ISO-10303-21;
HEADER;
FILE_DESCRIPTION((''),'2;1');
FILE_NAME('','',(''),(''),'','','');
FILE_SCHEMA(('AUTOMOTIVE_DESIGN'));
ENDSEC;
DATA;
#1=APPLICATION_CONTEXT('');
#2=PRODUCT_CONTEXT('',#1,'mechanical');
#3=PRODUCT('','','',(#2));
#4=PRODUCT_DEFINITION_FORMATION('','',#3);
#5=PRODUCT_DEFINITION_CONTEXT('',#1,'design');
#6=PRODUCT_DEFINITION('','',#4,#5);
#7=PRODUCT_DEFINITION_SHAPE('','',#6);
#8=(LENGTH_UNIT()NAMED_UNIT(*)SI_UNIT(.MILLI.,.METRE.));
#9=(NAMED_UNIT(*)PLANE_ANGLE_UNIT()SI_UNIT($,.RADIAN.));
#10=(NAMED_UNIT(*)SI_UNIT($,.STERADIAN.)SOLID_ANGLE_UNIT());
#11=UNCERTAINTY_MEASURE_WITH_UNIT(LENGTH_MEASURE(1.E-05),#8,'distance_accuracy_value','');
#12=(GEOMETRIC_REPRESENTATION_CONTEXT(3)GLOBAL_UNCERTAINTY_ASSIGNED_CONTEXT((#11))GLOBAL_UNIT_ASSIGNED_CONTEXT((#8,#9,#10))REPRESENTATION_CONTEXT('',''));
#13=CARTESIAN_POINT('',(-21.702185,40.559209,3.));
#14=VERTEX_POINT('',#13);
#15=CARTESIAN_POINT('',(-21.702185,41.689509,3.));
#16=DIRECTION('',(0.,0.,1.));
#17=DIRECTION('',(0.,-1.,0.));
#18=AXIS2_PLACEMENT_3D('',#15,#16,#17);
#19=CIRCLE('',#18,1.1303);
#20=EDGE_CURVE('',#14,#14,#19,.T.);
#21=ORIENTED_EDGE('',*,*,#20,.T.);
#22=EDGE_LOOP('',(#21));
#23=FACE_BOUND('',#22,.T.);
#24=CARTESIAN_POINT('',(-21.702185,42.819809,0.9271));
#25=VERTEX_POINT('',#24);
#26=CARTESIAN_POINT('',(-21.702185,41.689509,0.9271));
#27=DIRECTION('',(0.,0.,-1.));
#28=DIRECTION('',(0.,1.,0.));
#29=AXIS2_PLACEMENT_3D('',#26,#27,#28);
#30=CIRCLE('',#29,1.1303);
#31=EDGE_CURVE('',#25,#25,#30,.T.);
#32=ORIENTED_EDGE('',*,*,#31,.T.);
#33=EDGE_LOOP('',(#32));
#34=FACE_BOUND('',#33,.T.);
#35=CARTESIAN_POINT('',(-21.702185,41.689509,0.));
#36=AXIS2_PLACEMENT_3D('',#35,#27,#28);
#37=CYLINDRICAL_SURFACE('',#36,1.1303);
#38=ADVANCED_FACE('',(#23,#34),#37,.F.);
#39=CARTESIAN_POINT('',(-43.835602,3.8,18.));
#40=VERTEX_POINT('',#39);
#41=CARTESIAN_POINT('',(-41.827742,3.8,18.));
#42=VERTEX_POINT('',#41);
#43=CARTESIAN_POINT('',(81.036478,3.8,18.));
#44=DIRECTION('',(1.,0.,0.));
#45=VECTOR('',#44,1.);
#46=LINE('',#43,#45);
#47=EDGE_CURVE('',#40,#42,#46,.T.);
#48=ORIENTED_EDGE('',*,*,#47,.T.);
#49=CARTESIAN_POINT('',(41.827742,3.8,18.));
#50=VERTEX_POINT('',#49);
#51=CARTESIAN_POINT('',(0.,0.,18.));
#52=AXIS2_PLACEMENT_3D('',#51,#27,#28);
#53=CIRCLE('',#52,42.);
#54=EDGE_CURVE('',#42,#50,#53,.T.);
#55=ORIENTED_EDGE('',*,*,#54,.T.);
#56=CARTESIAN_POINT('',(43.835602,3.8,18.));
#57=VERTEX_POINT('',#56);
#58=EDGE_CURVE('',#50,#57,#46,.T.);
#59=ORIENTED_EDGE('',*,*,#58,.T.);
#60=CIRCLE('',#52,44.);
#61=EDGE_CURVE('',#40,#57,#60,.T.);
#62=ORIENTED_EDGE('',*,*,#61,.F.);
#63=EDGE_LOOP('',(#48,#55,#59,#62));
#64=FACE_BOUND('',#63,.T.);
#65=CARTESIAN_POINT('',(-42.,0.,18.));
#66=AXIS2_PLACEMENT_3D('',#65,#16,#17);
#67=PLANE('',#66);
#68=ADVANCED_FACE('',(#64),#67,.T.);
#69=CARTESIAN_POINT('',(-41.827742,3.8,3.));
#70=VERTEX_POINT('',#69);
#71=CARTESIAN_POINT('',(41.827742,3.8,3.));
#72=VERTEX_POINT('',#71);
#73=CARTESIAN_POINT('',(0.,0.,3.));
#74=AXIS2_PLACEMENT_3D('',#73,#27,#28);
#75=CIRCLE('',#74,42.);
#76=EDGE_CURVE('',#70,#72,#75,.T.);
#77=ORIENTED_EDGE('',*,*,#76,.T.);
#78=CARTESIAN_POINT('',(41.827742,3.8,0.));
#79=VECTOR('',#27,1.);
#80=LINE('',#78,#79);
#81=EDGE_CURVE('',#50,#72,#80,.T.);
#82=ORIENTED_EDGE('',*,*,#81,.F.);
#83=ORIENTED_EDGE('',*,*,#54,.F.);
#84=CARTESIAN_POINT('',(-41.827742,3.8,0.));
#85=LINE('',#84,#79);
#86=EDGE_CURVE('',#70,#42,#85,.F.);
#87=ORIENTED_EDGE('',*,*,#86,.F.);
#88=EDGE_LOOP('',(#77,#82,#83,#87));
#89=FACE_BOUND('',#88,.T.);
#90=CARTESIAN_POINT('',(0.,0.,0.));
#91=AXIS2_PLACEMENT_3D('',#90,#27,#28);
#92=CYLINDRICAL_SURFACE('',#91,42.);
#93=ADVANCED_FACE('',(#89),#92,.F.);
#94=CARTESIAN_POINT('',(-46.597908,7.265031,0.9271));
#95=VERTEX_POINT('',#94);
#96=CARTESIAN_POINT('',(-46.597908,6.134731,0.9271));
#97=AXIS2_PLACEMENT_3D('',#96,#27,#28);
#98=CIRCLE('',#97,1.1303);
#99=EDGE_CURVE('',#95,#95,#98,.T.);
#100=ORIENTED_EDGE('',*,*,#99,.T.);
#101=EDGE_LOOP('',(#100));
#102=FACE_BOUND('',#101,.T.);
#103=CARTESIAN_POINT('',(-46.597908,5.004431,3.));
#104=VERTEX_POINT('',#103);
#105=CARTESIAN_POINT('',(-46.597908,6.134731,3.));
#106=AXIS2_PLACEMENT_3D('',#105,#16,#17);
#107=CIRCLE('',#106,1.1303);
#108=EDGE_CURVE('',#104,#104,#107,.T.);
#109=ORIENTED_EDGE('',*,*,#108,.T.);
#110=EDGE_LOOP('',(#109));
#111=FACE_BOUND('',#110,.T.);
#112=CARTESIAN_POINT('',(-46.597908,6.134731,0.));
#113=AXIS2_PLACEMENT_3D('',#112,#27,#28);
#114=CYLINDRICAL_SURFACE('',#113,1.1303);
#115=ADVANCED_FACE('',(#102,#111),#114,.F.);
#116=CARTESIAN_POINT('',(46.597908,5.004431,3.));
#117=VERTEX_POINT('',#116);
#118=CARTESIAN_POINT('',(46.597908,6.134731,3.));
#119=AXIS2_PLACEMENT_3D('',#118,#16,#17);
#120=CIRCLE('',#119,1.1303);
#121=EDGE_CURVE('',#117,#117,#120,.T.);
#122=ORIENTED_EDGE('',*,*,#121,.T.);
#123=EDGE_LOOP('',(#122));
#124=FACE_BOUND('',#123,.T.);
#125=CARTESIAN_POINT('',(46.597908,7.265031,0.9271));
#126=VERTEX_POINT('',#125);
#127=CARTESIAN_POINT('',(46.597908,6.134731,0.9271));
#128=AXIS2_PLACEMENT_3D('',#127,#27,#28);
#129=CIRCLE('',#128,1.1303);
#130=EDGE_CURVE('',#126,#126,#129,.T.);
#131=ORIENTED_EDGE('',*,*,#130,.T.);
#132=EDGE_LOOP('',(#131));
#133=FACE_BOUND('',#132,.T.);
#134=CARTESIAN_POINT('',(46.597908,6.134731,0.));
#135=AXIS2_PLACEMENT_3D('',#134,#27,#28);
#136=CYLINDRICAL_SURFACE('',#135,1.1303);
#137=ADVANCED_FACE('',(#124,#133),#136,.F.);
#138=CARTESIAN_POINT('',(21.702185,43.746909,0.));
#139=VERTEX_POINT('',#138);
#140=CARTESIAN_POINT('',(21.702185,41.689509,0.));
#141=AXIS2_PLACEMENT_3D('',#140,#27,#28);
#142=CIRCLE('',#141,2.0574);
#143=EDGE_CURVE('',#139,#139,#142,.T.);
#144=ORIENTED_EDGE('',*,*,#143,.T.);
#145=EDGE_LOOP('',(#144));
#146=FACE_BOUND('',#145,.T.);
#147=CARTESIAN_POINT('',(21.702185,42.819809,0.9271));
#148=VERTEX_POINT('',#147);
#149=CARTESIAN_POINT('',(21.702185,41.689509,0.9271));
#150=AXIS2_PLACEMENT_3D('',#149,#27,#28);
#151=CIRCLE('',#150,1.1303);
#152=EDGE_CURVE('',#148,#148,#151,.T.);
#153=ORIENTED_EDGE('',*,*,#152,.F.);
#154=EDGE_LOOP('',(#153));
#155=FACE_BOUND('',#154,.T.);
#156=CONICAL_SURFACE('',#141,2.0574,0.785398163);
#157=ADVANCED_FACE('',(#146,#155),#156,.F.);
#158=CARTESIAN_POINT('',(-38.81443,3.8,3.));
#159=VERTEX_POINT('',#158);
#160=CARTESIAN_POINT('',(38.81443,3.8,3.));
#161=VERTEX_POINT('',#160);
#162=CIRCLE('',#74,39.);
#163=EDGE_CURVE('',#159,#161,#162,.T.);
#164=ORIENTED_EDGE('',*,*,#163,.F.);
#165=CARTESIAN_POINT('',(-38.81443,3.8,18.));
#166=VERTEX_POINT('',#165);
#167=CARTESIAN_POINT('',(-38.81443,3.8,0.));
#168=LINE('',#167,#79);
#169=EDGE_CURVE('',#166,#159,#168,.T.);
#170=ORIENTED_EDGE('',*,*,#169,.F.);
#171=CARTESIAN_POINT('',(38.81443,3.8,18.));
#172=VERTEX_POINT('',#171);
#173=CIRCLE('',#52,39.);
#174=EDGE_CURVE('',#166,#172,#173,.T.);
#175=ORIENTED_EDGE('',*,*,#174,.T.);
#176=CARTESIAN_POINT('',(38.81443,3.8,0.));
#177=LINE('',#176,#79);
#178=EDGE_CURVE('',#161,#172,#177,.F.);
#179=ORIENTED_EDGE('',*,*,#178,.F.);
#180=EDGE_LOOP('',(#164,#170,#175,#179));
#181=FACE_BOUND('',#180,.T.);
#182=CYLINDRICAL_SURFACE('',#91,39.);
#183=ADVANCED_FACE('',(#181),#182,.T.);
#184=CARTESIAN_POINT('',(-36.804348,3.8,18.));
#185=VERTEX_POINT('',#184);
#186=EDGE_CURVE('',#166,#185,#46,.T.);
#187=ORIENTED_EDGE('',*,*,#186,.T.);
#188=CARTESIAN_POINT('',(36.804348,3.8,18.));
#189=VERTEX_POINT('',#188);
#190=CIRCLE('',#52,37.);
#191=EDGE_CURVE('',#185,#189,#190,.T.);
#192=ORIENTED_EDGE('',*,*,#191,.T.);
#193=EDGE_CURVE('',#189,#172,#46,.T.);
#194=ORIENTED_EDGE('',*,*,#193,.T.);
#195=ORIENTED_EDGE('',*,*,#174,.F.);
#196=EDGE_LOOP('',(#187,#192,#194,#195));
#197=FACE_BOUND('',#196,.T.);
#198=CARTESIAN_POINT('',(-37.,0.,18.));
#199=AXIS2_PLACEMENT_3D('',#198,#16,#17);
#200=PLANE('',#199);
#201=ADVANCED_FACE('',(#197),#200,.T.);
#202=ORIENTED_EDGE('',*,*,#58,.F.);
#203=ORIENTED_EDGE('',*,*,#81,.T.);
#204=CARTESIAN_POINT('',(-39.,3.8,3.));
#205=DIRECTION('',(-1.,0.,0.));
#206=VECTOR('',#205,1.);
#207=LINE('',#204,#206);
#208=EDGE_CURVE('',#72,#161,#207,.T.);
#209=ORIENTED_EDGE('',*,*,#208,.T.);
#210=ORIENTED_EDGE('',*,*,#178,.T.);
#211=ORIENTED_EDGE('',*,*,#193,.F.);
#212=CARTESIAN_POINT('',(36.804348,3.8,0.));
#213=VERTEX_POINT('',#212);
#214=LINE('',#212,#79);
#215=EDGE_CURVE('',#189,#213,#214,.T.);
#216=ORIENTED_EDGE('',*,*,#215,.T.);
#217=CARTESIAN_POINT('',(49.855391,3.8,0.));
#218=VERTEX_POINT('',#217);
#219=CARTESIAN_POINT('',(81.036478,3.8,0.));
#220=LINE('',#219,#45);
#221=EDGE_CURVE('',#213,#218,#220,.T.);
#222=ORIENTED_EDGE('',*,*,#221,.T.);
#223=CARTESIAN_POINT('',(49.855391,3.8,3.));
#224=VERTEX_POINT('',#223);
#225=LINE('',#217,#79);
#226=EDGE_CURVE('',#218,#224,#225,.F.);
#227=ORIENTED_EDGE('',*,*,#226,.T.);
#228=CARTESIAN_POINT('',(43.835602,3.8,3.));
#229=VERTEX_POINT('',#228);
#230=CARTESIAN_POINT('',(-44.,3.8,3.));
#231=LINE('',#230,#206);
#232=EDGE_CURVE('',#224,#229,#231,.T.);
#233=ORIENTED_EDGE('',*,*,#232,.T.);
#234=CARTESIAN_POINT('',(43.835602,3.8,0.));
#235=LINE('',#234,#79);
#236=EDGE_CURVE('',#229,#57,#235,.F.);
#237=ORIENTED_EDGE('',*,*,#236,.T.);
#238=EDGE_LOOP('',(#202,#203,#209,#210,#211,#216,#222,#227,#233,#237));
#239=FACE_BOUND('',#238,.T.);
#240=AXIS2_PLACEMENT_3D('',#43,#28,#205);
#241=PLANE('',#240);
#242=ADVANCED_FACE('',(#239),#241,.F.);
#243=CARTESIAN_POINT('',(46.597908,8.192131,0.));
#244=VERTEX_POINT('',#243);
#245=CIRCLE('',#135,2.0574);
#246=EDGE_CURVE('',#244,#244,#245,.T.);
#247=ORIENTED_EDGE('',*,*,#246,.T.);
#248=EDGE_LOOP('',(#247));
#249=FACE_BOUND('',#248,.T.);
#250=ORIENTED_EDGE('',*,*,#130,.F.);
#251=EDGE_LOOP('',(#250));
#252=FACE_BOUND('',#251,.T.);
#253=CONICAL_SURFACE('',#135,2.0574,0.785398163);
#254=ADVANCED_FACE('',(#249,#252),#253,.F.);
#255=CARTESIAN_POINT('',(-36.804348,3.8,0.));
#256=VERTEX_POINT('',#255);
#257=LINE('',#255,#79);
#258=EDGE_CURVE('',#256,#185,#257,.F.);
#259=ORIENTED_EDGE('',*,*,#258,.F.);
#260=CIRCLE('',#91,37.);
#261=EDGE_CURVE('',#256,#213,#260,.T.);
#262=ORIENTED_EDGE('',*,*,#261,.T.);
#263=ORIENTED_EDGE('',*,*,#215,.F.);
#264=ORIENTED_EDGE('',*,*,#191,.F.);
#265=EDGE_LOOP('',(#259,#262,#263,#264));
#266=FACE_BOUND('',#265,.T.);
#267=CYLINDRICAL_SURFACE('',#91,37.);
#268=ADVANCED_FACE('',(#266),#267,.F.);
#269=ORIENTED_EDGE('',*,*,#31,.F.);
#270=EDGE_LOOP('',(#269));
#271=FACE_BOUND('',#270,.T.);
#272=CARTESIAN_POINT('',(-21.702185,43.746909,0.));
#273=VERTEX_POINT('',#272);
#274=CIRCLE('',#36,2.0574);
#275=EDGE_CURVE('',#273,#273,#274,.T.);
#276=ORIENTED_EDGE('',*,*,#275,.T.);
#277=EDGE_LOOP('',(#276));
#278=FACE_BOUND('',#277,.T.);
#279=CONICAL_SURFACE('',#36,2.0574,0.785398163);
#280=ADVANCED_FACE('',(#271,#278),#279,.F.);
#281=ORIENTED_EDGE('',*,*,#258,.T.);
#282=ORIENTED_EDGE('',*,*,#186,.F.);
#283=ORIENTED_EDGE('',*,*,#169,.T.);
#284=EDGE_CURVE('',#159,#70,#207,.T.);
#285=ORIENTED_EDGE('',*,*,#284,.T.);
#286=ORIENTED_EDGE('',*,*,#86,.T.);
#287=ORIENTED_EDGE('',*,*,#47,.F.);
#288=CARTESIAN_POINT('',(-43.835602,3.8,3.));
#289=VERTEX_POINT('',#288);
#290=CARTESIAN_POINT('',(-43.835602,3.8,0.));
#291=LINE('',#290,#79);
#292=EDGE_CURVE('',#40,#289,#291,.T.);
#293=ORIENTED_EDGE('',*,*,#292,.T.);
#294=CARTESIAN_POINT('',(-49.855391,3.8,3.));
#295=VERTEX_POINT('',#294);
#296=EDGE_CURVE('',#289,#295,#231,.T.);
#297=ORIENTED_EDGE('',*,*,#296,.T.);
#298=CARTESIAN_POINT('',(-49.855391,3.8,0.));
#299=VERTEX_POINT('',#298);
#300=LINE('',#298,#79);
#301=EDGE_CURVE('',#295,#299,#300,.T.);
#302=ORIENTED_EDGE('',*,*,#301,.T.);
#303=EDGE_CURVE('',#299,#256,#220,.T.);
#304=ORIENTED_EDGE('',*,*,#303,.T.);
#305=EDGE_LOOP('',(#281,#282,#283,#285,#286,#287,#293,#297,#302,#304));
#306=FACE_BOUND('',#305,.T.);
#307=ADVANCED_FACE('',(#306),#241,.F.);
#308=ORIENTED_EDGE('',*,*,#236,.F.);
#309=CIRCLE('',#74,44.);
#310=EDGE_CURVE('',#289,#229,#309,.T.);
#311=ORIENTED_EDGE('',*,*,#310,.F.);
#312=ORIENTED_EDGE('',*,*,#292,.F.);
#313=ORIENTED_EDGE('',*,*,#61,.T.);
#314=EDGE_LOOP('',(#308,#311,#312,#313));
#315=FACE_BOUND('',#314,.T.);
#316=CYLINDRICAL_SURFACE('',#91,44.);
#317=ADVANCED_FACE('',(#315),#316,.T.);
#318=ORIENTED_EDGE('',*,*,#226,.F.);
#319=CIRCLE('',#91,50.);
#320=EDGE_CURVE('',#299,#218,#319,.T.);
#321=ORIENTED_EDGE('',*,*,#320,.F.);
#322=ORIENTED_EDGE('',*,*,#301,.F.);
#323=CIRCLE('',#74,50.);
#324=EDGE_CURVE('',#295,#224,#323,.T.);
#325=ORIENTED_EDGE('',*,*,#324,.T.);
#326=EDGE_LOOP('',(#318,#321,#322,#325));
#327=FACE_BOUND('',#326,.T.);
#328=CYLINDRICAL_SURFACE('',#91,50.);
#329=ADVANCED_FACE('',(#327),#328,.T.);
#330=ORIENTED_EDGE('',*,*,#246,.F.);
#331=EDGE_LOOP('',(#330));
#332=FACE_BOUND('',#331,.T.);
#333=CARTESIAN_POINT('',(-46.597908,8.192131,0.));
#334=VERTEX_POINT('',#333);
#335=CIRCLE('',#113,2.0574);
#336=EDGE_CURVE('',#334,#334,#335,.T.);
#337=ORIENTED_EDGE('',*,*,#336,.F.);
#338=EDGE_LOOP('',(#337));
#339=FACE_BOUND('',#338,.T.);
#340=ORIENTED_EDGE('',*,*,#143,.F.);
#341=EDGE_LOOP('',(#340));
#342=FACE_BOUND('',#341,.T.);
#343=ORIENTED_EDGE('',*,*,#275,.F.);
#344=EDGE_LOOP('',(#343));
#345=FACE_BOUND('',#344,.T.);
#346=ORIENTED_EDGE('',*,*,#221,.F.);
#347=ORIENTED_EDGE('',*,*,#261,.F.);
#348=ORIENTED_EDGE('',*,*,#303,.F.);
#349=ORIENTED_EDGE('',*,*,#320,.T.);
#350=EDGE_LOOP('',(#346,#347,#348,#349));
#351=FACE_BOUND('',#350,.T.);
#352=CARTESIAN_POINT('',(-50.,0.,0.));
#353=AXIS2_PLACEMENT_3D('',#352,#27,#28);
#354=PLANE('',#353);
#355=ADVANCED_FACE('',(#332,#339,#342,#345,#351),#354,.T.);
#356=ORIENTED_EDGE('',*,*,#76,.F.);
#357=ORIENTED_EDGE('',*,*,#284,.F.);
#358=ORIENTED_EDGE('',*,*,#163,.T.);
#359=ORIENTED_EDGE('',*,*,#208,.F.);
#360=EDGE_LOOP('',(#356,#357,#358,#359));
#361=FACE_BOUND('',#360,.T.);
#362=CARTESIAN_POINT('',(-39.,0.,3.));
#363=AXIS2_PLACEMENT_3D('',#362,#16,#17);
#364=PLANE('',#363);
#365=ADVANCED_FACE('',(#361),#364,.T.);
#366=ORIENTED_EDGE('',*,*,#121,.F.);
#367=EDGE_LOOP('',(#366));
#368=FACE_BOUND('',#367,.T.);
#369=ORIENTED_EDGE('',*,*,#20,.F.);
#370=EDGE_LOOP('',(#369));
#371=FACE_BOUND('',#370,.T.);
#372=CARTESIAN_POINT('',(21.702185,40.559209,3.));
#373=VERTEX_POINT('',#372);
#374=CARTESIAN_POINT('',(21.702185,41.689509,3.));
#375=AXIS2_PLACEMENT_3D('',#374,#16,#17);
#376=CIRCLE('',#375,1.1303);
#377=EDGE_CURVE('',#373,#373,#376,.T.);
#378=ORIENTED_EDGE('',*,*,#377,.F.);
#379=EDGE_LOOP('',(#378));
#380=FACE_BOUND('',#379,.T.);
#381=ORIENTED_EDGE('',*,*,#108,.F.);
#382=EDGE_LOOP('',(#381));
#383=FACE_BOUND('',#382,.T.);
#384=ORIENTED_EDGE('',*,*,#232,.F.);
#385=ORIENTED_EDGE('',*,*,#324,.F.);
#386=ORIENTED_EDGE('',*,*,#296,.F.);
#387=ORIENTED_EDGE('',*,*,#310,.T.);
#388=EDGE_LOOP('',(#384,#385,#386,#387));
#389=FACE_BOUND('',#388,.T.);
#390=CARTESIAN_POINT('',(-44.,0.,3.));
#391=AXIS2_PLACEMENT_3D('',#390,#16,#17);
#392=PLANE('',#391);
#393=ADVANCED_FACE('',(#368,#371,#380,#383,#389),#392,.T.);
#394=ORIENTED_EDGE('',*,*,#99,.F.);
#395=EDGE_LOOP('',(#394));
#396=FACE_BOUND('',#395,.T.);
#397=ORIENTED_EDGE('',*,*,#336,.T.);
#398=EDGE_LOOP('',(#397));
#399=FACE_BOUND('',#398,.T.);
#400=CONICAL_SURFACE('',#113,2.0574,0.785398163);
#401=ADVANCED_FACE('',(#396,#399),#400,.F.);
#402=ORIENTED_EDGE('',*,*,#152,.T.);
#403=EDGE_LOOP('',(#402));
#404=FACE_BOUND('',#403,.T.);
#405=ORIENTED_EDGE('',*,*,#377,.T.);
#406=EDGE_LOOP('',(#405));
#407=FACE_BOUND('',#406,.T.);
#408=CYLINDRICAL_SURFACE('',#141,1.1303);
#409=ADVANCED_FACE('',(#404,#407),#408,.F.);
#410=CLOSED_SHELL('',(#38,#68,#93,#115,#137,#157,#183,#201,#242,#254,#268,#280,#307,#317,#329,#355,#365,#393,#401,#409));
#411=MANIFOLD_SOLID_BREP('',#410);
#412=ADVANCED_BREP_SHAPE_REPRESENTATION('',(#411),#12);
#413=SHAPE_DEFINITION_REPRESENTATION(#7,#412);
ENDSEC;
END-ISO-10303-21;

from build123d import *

# Parameters (mm, degrees)
REVOLVE1_ANGLE                  = 180
SKETCH2_W                       = 162.072956604
SKETCH2_H                       = 3.8
CUT_EXTRUDE1_DEPTH              = 19
F_4_40_TAPPED_HOLE1_D           = 2.2606
F_4_40_TAPPED_HOLE1_CSINK_D     = 4.1148
F_4_40_TAPPED_HOLE1_CSINK_ANGLE = 90
CIRPATTERN1_COUNT               = 4
CIRPATTERN1_ANGLE               = 165


with BuildPart() as part:
    # Sketch1 → Revolve1 (revolve, symmetric)
    with BuildSketch(Plane(origin=(0, 0, 0), x_dir=(0, 0, -1), z_dir=(1, 0, 0))) as revolve1_sk:
        Polygon((0, 37), (-18, 37), (-18, 39), (-3, 39), (-3, 42), (-18, 42), (-18, 44), (-3, 44), (-3, 50), (0, 50), align=None)
    revolve(axis=Axis((0, 0, 0), (0, 0, 1)), revolution_arc=REVOLVE1_ANGLE / 2)
    revolve(revolve1_sk.sketch, axis=Axis((0, 0, 0), (0, 0, -1)), revolution_arc=REVOLVE1_ANGLE / 2)

    # Sketch2 → Cut-Extrude1 (cut, through all)
    with BuildSketch(Plane(origin=(0, 0, 0), x_dir=(-1, 0, 0), z_dir=(0, 0, -1))):
        with Locations((0, 1.9)):
            Rectangle(SKETCH2_W, SKETCH2_H)
    extrude(amount=-CUT_EXTRUDE1_DEPTH, mode=Mode.SUBTRACT)

    # #4-40 Tapped Hole1 (through all)
    with Locations(Plane(origin=(0, 0, 0), x_dir=(-1, 0, 0), z_dir=(0, 0, -1))):
        with Locations((-46.597908485, 6.134731034)):
            f_4_40_tapped_hole1 = CounterSinkHole(F_4_40_TAPPED_HOLE1_D / 2, F_4_40_TAPPED_HOLE1_CSINK_D / 2, counter_sink_angle=F_4_40_TAPPED_HOLE1_CSINK_ANGLE)

    # CirPattern1: #4-40 Tapped Hole1 ×4 about axis
    cirpattern1_axis = Axis((0, 0, 0), (0, 0, 1))
    for i in range(1, CIRPATTERN1_COUNT):
        add(f_4_40_tapped_hole1.rotate(cirpattern1_axis, i * CIRPATTERN1_ANGLE / (CIRPATTERN1_COUNT - 1)), mode=Mode.SUBTRACT)


solid = part.part
